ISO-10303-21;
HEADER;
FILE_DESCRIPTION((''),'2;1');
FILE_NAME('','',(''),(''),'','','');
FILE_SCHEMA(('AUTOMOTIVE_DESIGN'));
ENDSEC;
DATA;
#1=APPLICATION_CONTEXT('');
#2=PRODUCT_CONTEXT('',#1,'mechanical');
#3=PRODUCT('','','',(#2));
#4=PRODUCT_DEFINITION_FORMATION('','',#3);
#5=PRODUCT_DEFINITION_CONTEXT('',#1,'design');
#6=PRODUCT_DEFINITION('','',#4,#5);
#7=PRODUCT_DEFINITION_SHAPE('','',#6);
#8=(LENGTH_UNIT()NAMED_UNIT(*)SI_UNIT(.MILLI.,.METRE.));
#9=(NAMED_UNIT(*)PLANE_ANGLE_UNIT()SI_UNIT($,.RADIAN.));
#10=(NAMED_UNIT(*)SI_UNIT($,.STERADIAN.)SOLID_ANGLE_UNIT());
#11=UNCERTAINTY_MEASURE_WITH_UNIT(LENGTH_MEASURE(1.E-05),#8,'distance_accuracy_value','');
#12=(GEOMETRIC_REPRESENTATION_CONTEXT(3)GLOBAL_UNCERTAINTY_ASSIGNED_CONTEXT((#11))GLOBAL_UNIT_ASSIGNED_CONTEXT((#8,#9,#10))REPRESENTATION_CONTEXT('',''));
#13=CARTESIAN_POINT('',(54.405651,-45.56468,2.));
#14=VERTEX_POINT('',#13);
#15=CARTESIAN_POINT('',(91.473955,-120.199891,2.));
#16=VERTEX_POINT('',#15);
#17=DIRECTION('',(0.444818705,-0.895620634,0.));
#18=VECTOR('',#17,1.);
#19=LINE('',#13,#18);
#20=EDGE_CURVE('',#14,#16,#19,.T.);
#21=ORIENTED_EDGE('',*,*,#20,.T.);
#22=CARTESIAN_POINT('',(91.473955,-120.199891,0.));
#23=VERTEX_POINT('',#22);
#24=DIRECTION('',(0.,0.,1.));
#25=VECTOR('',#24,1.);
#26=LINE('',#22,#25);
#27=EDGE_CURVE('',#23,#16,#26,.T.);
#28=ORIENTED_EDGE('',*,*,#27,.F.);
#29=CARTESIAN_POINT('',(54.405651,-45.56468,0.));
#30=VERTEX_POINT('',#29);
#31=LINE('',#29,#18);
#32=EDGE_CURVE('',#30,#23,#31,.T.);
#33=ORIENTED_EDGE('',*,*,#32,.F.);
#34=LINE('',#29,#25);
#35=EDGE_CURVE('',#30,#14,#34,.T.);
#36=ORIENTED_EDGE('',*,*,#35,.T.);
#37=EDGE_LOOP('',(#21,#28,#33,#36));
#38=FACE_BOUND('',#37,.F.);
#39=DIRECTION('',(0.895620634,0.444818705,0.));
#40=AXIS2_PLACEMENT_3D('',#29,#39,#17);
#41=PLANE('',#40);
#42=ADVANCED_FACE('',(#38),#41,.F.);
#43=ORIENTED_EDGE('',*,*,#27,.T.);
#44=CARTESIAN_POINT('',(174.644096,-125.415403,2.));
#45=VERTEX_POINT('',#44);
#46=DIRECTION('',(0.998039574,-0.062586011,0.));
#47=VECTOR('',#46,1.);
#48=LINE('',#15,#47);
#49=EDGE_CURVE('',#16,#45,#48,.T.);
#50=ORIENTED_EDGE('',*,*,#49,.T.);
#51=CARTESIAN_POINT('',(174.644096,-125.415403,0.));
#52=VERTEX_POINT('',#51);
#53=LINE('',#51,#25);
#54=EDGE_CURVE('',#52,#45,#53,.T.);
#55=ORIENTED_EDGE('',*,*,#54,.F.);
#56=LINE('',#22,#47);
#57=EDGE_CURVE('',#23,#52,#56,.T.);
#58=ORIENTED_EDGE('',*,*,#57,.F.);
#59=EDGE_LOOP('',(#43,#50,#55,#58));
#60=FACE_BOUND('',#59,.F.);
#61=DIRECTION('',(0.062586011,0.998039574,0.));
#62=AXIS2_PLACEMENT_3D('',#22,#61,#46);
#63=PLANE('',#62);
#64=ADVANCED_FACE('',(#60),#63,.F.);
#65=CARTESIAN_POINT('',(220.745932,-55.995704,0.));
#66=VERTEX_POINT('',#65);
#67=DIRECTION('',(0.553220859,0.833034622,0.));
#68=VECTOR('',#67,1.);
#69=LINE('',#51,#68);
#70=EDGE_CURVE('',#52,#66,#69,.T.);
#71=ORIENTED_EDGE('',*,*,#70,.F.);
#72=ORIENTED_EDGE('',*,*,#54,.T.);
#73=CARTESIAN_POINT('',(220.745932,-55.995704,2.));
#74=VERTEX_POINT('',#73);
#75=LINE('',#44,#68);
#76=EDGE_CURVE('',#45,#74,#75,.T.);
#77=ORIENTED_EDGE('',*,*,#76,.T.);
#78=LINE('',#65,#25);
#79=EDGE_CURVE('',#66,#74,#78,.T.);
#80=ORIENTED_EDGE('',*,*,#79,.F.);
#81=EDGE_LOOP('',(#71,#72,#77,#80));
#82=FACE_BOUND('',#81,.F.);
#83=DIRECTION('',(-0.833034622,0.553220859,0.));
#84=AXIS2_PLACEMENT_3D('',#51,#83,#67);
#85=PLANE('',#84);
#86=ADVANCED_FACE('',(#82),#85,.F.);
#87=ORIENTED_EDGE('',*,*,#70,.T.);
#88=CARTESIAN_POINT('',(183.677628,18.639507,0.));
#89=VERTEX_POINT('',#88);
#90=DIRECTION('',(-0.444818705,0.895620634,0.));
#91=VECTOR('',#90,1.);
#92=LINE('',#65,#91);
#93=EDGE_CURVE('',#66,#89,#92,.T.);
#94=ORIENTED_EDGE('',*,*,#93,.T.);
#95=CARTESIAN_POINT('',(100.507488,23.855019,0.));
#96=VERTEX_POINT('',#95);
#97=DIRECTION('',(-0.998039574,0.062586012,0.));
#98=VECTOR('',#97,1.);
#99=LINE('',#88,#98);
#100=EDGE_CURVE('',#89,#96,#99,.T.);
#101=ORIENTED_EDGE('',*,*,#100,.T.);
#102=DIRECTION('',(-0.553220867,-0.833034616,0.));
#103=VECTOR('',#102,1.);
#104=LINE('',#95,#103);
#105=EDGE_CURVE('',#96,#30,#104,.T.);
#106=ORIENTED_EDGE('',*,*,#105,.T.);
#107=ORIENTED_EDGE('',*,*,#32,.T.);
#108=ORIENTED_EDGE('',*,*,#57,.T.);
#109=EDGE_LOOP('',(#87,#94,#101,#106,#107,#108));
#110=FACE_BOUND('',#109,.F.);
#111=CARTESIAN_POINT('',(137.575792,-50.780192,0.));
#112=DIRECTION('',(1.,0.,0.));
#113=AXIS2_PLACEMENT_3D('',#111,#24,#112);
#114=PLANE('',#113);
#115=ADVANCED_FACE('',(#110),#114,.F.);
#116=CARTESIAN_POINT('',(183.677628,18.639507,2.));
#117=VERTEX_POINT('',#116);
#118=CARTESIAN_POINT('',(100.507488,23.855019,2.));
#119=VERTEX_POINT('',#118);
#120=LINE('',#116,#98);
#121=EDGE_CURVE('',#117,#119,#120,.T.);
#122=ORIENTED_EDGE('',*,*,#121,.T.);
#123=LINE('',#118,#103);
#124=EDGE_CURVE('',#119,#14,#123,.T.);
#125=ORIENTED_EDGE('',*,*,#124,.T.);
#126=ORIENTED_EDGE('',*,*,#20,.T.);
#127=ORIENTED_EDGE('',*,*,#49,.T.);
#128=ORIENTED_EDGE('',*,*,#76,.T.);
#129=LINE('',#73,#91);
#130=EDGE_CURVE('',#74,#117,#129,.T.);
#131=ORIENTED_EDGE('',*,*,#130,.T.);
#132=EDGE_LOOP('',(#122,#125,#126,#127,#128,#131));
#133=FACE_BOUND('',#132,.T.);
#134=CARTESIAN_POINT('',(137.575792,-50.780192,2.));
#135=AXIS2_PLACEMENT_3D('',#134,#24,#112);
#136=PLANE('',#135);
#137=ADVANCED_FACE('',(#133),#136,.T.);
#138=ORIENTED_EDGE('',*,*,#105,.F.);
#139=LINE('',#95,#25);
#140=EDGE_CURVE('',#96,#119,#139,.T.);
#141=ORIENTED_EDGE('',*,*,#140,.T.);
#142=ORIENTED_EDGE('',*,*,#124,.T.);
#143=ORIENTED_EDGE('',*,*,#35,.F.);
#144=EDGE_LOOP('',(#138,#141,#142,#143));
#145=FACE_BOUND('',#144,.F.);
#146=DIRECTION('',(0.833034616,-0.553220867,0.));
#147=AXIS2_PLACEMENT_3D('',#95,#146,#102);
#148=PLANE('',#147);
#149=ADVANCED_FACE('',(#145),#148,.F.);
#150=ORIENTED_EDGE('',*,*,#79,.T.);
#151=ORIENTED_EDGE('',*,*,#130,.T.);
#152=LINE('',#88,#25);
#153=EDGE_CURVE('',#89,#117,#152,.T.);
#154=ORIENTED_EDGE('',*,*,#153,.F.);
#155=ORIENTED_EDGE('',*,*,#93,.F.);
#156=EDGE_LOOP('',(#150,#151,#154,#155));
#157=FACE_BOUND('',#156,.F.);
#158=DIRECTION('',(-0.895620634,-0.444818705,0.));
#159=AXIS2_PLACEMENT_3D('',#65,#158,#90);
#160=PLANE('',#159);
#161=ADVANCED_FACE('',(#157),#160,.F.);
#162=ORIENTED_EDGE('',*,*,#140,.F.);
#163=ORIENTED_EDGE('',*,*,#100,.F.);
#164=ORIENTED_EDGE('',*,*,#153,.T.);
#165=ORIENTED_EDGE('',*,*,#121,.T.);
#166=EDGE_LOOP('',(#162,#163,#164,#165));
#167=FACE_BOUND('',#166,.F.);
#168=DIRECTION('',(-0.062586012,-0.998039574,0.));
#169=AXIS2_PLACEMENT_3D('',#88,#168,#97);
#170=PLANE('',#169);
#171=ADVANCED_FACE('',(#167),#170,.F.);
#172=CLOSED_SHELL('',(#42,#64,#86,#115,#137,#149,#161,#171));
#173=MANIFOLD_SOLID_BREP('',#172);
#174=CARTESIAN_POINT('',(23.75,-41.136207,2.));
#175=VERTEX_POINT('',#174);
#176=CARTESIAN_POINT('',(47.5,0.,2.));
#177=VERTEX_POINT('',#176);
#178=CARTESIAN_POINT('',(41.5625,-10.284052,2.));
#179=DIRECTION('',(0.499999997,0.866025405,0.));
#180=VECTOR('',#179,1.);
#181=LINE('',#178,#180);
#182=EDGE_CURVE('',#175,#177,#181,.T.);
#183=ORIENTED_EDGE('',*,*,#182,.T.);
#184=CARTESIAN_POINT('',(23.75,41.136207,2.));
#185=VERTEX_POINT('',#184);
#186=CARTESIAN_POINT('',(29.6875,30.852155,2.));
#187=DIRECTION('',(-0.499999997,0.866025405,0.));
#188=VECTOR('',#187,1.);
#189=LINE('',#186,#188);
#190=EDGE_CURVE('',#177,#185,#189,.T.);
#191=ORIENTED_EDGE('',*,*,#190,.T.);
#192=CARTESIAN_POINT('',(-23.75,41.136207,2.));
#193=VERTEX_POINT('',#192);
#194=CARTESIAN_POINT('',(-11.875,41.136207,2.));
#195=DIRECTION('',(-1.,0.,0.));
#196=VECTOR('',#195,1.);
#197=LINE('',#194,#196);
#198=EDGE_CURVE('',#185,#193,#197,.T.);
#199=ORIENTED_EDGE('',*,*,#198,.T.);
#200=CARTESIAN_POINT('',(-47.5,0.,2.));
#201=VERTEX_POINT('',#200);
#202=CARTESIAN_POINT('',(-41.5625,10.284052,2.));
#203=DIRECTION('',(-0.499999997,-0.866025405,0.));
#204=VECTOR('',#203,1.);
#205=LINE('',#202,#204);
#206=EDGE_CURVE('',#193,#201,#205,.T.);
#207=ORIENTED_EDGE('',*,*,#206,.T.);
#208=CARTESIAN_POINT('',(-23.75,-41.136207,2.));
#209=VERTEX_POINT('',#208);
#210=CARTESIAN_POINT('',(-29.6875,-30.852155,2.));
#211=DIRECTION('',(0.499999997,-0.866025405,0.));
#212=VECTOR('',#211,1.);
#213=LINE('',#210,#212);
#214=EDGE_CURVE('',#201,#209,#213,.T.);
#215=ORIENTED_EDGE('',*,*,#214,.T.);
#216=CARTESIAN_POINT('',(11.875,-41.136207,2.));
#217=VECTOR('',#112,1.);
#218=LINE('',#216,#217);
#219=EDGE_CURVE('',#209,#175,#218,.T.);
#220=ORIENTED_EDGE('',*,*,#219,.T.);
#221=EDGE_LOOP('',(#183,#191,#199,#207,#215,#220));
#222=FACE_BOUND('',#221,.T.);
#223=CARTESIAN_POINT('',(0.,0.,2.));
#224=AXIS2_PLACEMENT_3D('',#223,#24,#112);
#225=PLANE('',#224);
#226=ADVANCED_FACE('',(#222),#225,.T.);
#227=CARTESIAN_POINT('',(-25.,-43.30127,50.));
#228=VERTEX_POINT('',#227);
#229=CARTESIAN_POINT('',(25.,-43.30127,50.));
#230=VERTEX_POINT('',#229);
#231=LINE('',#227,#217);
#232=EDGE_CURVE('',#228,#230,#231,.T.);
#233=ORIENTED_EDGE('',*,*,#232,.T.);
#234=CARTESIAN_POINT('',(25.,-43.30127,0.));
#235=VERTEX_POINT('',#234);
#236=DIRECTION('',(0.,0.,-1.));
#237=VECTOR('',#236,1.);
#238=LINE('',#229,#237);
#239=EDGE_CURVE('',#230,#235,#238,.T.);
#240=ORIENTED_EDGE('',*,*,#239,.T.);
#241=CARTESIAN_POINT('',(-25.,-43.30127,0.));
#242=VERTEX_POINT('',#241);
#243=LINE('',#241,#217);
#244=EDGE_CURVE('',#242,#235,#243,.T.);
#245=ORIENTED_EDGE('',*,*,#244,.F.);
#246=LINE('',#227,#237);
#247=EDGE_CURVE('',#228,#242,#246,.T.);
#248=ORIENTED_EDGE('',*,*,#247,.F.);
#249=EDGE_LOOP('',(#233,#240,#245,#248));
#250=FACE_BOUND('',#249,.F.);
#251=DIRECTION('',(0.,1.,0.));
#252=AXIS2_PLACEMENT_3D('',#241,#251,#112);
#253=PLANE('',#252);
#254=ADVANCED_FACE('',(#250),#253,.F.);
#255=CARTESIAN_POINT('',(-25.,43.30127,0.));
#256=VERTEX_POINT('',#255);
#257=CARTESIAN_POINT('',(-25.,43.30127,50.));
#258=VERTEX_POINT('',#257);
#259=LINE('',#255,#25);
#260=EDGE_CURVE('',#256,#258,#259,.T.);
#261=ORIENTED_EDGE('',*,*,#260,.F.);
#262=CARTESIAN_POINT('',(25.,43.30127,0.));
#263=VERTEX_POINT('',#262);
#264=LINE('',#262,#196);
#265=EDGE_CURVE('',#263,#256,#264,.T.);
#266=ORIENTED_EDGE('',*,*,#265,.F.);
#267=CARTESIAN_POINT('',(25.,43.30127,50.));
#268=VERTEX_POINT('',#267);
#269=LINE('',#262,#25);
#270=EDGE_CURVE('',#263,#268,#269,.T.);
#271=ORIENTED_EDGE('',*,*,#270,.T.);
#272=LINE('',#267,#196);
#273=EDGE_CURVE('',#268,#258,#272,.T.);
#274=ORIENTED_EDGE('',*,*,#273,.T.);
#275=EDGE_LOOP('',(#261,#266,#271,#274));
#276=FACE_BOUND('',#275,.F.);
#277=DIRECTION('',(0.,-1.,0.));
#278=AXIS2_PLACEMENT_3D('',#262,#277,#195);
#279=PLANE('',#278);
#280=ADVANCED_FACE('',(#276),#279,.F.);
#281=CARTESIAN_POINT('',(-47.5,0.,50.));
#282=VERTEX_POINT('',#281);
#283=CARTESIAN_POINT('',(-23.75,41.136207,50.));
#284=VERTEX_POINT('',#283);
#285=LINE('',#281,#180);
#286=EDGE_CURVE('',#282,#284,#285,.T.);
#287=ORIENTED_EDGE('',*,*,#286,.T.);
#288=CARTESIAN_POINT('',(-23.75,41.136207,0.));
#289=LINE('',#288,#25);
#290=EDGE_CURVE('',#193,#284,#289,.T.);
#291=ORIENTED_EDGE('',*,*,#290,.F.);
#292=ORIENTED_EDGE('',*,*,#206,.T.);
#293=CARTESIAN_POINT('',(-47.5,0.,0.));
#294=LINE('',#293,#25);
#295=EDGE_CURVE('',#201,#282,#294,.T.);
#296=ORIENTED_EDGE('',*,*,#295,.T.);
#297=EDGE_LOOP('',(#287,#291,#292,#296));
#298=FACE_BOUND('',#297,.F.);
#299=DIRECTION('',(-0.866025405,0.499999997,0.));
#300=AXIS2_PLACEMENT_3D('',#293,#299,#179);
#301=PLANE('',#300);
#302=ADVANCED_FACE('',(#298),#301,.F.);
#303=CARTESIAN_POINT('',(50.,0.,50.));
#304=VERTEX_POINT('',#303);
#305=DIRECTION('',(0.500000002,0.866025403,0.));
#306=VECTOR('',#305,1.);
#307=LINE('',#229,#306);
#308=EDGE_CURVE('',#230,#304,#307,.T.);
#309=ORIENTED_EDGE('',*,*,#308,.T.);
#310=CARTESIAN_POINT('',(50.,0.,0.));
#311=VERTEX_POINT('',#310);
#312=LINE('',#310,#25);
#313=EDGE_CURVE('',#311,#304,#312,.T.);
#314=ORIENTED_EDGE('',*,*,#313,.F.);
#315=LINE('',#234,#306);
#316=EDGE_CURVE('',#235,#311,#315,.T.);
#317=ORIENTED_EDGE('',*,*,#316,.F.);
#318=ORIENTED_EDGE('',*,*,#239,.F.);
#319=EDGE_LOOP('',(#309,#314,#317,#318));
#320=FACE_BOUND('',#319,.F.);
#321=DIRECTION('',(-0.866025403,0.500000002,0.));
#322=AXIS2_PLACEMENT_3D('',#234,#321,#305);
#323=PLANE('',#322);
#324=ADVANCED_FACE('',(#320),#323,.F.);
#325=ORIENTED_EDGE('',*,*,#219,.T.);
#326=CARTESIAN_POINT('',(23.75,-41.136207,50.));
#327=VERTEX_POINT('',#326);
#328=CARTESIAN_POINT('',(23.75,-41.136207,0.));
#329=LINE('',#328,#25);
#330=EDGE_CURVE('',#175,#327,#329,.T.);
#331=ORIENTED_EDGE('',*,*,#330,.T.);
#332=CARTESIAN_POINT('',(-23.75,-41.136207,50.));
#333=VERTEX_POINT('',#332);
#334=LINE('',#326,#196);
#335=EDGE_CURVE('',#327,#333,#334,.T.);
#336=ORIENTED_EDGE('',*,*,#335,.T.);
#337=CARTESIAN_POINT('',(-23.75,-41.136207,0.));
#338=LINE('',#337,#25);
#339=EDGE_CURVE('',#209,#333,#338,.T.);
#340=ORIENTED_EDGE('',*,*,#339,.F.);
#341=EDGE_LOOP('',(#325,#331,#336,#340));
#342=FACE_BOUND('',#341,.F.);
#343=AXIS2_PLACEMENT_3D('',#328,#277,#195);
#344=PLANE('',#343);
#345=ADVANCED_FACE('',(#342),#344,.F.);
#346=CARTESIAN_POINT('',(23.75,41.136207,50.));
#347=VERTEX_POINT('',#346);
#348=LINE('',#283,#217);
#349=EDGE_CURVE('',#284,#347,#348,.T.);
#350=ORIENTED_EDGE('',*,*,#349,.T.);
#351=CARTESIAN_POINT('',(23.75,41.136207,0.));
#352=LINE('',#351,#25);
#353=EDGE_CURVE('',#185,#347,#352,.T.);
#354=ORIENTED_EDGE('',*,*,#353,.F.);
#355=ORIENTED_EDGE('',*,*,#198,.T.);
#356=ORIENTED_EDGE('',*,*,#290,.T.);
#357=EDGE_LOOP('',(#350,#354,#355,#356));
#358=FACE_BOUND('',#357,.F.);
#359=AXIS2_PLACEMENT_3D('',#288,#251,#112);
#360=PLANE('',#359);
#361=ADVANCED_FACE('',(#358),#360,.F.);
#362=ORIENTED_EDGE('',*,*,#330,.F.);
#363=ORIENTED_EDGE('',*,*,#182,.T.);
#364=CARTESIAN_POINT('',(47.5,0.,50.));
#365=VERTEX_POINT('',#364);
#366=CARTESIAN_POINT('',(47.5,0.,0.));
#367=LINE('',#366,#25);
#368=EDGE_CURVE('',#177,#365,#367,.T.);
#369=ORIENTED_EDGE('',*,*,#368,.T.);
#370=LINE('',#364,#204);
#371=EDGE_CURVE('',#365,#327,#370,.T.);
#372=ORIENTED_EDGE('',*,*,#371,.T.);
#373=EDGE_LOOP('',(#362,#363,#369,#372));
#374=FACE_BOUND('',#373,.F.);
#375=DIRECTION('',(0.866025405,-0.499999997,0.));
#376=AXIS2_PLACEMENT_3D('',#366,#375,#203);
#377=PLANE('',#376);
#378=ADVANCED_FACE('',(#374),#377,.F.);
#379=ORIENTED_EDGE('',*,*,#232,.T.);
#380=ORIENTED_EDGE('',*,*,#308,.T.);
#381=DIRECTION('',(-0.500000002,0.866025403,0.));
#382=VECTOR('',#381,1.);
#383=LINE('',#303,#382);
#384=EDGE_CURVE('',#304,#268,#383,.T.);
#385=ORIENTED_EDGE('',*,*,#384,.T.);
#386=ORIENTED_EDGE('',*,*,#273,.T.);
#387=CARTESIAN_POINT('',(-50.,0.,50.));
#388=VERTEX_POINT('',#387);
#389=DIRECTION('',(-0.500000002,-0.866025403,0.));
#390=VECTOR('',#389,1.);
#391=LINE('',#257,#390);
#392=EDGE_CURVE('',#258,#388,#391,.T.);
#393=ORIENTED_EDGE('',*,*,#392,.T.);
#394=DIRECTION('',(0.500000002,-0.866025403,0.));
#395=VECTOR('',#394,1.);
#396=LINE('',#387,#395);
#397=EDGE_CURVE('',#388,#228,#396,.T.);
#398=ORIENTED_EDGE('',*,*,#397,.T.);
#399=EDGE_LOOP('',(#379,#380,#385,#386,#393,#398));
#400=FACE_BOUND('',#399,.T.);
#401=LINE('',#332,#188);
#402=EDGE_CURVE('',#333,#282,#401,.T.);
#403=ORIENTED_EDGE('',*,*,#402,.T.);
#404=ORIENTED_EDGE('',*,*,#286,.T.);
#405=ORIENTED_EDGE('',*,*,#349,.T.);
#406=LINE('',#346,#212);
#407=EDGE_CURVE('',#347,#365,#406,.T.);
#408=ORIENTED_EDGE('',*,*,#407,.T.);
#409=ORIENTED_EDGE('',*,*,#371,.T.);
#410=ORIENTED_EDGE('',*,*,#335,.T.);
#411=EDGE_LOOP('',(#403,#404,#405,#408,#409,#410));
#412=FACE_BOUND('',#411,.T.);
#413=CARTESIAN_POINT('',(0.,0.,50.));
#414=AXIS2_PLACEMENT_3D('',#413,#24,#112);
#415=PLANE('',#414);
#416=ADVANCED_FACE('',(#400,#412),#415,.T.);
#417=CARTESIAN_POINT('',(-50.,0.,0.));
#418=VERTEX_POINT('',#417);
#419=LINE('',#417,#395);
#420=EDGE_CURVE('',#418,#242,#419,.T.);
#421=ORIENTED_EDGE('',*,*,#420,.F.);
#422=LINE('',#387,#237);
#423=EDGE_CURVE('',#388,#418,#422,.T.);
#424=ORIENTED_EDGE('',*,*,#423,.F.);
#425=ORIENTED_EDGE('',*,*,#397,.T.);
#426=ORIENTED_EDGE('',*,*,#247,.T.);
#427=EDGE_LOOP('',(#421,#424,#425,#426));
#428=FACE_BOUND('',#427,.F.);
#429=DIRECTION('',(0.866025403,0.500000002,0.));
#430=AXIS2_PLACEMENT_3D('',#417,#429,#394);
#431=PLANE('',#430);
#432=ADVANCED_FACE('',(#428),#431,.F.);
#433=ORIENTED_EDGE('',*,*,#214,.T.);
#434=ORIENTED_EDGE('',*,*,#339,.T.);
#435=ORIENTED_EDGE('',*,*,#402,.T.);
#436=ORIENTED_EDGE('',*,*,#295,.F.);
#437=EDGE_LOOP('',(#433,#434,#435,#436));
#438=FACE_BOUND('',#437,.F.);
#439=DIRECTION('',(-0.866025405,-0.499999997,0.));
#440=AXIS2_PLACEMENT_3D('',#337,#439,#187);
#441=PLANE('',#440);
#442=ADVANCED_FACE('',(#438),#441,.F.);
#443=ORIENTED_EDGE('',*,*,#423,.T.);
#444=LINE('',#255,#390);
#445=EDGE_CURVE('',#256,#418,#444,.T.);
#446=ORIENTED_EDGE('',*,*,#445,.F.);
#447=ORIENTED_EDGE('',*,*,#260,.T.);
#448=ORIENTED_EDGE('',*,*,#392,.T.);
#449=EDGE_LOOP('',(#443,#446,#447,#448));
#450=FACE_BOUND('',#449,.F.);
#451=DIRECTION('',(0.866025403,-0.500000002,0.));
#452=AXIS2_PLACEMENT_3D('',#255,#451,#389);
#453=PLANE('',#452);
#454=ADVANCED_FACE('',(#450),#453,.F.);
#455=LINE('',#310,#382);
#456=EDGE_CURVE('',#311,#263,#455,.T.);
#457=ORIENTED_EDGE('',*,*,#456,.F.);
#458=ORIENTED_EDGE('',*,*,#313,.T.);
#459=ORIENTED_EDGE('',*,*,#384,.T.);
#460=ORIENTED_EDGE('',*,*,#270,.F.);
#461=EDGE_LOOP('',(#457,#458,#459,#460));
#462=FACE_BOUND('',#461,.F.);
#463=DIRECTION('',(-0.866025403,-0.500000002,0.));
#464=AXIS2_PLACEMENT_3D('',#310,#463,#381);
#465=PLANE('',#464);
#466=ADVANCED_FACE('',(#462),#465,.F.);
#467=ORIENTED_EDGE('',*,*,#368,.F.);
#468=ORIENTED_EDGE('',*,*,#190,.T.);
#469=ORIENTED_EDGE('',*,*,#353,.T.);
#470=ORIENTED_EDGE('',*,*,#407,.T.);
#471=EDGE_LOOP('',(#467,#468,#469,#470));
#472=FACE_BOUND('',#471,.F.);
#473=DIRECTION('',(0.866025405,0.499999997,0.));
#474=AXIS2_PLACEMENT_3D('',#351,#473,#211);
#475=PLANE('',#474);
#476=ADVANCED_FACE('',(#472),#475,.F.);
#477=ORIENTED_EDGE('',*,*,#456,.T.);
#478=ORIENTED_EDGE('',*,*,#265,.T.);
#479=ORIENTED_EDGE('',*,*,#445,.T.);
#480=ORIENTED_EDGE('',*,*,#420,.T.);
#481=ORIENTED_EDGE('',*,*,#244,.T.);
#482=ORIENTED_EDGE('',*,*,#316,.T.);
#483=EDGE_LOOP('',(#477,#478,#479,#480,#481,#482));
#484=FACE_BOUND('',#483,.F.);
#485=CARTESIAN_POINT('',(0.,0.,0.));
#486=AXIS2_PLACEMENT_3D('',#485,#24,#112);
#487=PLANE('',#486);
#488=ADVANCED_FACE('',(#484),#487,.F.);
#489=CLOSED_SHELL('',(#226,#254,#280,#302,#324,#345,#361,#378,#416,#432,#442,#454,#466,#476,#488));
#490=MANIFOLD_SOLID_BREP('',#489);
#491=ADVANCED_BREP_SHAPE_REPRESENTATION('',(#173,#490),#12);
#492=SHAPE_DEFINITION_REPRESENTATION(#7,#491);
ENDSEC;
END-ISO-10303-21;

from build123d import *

# Parameters (mm, degrees)
F1_DEPTH = 2
F2_DEPTH = 50
F4_DEPTH = 2


with BuildPart() as f1:
    # F0 (on Top) → F1 (new body)
    with BuildSketch(Plane.XY):
        Polygon((25, -43.30127), (50, 0), (25, 43.30127), (-25, 43.30127), (-50, 0), (-25, -43.30127), align=None)
        Polygon((-47.5, 0), (-23.75, 41.136207), (23.75, 41.136207), (47.5, 0), (23.75, -41.136207), (-23.75, -41.136207), align=None, mode=Mode.SUBTRACT)
        Polygon((23.75, 41.136207), (-23.75, 41.136207), (-47.5, 0), (-23.75, -41.136207), (23.75, -41.136207), (47.5, 0), align=None)
    extrude(amount=F1_DEPTH)

    # F0 (on Top) → F2 (join)
    with BuildSketch(Plane.XY):
        Polygon((25, -43.30127), (50, 0), (25, 43.30127), (-25, 43.30127), (-50, 0), (-25, -43.30127), align=None)
        Polygon((-47.5, 0), (-23.75, 41.136207), (23.75, 41.136207), (47.5, 0), (23.75, -41.136207), (-23.75, -41.136207), align=None, mode=Mode.SUBTRACT)
    extrude(amount=F2_DEPTH)


with BuildPart() as f4:
    # F3 (on Top) → F4 (new body)
    with BuildSketch(Plane.XY):
        Polygon((174.644096, -125.415403), (220.745932, -55.995704), (183.677628, 18.639507), (100.507488, 23.855019), (54.405651, -45.56468), (91.473955, -120.199891), align=None)
    extrude(amount=F4_DEPTH)


solid = Compound([f1.part, f4.part])
